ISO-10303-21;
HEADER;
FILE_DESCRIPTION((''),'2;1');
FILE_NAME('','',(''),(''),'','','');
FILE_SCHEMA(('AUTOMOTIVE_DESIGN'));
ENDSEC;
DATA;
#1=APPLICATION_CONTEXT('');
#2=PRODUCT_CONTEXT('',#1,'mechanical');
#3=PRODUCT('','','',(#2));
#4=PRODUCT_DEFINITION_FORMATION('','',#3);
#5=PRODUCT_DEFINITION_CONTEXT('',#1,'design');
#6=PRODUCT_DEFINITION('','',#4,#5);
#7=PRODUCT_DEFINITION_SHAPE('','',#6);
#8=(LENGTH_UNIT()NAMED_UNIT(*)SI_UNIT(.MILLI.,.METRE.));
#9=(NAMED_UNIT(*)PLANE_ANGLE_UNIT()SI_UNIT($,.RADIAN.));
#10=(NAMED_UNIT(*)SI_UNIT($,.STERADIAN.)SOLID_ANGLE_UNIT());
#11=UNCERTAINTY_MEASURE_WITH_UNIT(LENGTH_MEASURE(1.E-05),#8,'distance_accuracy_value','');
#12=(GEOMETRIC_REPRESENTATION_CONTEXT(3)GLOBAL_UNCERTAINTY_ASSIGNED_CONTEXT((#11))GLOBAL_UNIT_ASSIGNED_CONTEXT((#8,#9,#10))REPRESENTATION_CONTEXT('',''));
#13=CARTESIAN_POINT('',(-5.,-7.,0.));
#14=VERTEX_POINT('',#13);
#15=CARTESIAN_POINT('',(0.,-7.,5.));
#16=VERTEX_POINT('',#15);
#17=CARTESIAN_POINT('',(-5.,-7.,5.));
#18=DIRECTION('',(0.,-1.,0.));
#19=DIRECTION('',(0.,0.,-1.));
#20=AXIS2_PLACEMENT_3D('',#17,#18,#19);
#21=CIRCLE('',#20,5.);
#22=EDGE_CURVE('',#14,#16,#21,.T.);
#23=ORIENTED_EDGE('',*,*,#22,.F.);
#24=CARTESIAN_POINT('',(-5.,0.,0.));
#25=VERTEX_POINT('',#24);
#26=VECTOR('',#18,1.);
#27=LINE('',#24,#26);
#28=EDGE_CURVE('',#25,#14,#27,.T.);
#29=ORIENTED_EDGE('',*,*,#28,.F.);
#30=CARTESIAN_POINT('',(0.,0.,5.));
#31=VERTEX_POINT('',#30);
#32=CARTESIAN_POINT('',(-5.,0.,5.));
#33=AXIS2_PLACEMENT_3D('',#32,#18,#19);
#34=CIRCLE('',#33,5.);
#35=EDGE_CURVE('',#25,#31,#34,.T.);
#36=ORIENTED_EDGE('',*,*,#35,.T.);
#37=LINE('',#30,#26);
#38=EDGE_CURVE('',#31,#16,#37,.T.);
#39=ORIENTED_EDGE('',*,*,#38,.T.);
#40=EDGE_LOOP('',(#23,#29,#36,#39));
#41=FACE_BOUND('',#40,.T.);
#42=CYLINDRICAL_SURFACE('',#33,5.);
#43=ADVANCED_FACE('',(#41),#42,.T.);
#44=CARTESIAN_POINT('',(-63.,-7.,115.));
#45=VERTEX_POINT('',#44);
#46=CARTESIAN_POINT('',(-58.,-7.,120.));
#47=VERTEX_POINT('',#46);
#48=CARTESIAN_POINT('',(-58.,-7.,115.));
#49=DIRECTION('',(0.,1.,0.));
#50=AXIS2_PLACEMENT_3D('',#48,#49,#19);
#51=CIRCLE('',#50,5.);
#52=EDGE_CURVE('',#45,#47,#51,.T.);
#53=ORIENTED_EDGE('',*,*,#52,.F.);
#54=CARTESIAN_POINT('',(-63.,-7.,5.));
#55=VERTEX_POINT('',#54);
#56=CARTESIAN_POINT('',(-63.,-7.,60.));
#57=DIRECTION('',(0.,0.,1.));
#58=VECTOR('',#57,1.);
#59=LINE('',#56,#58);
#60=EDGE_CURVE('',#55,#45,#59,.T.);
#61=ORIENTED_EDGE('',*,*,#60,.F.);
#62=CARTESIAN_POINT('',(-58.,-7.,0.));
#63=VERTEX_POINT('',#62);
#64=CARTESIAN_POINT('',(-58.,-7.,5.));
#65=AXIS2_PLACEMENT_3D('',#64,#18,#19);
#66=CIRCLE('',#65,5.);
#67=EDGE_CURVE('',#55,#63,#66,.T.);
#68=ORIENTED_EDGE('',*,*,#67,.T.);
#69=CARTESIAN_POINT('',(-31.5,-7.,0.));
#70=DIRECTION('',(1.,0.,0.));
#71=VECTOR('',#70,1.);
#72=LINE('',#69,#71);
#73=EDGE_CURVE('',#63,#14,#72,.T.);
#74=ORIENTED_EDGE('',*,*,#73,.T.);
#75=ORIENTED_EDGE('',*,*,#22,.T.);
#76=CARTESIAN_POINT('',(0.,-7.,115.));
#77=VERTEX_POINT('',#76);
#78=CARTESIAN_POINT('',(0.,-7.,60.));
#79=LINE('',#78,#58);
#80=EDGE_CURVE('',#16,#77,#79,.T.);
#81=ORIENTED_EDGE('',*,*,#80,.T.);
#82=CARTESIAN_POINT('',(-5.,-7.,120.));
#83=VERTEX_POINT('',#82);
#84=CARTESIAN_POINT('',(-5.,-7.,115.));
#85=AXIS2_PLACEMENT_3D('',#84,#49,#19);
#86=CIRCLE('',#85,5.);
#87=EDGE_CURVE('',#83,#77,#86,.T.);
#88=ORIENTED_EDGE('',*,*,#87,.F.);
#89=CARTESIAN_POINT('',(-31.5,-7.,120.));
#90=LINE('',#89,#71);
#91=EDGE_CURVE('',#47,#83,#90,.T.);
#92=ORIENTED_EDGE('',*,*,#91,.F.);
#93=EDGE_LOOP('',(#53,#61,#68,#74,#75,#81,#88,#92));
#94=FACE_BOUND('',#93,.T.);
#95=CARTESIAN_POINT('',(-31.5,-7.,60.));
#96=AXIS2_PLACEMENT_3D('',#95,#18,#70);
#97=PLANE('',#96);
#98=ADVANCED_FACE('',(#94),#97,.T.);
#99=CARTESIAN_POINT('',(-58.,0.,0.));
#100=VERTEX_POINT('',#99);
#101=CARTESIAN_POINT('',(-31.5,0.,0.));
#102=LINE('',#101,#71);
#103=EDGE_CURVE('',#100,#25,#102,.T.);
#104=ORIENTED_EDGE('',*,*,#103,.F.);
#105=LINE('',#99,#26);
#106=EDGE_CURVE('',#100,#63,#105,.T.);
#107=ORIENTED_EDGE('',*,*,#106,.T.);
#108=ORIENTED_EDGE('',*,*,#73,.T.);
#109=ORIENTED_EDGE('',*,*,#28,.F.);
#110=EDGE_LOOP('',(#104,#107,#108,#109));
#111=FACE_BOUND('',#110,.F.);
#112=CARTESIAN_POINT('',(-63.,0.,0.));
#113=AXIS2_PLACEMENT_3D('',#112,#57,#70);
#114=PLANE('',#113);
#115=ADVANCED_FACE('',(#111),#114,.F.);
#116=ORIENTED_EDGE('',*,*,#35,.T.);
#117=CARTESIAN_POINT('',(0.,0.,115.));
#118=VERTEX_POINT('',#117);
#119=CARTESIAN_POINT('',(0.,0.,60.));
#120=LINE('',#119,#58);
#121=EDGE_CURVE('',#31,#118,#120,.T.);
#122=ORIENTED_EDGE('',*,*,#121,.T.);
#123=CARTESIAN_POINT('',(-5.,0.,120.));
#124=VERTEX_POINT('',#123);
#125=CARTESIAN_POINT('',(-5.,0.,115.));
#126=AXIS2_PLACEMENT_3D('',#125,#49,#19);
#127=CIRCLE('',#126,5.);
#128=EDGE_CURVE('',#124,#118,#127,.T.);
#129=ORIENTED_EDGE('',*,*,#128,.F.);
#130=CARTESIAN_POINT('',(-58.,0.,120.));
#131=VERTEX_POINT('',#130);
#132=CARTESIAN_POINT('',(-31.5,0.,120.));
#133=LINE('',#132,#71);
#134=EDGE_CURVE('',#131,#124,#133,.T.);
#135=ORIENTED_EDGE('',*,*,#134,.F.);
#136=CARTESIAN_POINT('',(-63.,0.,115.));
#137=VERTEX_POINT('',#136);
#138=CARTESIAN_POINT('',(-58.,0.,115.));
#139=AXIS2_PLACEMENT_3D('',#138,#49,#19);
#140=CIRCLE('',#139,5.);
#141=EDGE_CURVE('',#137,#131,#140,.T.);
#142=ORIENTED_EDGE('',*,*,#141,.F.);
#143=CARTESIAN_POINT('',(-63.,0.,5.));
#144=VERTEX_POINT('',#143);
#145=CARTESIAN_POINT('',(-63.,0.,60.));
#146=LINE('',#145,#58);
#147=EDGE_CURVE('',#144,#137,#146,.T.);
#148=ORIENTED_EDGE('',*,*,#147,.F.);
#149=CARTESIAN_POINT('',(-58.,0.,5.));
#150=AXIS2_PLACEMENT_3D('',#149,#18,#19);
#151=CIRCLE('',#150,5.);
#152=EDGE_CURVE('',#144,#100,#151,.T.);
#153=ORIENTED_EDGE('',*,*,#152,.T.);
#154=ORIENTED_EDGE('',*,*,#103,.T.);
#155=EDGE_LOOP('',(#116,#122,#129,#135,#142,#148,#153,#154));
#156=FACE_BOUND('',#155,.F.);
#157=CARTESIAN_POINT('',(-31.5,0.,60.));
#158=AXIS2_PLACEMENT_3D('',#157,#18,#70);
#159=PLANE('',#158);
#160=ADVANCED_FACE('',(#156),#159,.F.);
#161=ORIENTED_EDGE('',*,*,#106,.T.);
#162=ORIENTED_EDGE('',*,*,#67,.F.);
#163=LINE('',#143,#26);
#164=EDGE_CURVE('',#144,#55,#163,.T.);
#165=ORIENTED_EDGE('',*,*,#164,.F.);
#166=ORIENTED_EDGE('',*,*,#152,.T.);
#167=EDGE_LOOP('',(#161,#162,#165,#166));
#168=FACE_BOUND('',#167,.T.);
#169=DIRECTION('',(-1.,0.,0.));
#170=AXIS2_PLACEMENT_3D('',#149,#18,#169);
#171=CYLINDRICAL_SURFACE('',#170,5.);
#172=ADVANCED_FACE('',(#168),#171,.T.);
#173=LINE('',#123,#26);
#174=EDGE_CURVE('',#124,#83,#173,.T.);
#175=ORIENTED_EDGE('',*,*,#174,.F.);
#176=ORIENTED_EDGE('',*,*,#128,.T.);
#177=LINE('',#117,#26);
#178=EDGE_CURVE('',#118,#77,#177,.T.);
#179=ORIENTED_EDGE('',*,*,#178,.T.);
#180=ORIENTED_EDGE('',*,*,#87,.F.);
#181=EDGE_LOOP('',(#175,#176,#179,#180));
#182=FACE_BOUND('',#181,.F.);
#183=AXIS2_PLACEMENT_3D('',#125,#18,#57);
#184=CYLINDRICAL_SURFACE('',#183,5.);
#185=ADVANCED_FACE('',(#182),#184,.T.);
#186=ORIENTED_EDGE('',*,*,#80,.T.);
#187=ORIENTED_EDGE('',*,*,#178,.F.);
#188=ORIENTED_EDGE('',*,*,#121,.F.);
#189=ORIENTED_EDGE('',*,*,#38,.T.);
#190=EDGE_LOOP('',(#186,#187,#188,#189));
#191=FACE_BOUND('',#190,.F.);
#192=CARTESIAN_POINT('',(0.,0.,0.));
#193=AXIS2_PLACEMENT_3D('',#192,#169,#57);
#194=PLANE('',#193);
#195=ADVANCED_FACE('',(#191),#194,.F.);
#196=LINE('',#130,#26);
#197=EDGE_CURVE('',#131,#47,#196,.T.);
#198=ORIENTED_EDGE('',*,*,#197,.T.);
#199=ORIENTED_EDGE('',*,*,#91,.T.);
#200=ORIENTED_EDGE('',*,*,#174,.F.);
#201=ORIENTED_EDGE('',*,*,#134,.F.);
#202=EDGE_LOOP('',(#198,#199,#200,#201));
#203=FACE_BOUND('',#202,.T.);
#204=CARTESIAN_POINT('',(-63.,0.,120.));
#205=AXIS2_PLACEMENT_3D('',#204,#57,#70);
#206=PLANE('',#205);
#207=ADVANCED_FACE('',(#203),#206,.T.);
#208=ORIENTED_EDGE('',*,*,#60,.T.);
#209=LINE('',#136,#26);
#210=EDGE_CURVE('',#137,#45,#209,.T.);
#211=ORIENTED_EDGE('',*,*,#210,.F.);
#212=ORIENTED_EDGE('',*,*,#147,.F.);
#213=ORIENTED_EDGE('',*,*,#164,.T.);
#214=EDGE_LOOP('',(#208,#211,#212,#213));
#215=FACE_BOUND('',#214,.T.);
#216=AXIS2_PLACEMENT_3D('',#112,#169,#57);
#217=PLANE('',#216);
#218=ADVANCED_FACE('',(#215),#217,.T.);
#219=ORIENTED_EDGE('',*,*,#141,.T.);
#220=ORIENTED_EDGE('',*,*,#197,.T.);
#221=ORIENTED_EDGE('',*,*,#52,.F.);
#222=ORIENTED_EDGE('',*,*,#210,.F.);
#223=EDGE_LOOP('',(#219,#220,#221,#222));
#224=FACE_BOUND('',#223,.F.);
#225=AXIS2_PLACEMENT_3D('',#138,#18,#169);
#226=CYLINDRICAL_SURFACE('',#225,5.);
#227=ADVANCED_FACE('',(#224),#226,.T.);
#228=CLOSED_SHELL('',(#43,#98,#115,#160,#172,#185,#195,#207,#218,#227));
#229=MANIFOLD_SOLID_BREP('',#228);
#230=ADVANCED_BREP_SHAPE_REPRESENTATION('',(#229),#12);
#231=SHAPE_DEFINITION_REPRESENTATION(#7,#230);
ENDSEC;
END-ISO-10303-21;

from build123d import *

# Parameters (mm, degrees)
F0_W     = 63
F0_H     = 120
F1_DEPTH = 7
F2_R     = 5
F3_R     = 5


with BuildPart() as f1:
    # F0 (on Front) → F1 (new body)
    with BuildSketch(Plane.XZ):
        with Locations((-31.5, 60)):
            Rectangle(F0_W, F0_H)
    extrude(amount=F1_DEPTH)

    # F2
    f2_edges = [f1.edges().sort_by_distance(p)[0] for p in [
        (-63, -3.5, 120),
    ]]
    fillet(f2_edges, radius=F2_R)

    # F3
    f3_edges = [f1.edges().sort_by_distance(p)[0] for p in [
        (0, -3.5, 120),
        (-63, -3.5, 0),
        (0, -3.5, 0),
    ]]
    fillet(f3_edges, radius=F3_R)


solid = f1.part
